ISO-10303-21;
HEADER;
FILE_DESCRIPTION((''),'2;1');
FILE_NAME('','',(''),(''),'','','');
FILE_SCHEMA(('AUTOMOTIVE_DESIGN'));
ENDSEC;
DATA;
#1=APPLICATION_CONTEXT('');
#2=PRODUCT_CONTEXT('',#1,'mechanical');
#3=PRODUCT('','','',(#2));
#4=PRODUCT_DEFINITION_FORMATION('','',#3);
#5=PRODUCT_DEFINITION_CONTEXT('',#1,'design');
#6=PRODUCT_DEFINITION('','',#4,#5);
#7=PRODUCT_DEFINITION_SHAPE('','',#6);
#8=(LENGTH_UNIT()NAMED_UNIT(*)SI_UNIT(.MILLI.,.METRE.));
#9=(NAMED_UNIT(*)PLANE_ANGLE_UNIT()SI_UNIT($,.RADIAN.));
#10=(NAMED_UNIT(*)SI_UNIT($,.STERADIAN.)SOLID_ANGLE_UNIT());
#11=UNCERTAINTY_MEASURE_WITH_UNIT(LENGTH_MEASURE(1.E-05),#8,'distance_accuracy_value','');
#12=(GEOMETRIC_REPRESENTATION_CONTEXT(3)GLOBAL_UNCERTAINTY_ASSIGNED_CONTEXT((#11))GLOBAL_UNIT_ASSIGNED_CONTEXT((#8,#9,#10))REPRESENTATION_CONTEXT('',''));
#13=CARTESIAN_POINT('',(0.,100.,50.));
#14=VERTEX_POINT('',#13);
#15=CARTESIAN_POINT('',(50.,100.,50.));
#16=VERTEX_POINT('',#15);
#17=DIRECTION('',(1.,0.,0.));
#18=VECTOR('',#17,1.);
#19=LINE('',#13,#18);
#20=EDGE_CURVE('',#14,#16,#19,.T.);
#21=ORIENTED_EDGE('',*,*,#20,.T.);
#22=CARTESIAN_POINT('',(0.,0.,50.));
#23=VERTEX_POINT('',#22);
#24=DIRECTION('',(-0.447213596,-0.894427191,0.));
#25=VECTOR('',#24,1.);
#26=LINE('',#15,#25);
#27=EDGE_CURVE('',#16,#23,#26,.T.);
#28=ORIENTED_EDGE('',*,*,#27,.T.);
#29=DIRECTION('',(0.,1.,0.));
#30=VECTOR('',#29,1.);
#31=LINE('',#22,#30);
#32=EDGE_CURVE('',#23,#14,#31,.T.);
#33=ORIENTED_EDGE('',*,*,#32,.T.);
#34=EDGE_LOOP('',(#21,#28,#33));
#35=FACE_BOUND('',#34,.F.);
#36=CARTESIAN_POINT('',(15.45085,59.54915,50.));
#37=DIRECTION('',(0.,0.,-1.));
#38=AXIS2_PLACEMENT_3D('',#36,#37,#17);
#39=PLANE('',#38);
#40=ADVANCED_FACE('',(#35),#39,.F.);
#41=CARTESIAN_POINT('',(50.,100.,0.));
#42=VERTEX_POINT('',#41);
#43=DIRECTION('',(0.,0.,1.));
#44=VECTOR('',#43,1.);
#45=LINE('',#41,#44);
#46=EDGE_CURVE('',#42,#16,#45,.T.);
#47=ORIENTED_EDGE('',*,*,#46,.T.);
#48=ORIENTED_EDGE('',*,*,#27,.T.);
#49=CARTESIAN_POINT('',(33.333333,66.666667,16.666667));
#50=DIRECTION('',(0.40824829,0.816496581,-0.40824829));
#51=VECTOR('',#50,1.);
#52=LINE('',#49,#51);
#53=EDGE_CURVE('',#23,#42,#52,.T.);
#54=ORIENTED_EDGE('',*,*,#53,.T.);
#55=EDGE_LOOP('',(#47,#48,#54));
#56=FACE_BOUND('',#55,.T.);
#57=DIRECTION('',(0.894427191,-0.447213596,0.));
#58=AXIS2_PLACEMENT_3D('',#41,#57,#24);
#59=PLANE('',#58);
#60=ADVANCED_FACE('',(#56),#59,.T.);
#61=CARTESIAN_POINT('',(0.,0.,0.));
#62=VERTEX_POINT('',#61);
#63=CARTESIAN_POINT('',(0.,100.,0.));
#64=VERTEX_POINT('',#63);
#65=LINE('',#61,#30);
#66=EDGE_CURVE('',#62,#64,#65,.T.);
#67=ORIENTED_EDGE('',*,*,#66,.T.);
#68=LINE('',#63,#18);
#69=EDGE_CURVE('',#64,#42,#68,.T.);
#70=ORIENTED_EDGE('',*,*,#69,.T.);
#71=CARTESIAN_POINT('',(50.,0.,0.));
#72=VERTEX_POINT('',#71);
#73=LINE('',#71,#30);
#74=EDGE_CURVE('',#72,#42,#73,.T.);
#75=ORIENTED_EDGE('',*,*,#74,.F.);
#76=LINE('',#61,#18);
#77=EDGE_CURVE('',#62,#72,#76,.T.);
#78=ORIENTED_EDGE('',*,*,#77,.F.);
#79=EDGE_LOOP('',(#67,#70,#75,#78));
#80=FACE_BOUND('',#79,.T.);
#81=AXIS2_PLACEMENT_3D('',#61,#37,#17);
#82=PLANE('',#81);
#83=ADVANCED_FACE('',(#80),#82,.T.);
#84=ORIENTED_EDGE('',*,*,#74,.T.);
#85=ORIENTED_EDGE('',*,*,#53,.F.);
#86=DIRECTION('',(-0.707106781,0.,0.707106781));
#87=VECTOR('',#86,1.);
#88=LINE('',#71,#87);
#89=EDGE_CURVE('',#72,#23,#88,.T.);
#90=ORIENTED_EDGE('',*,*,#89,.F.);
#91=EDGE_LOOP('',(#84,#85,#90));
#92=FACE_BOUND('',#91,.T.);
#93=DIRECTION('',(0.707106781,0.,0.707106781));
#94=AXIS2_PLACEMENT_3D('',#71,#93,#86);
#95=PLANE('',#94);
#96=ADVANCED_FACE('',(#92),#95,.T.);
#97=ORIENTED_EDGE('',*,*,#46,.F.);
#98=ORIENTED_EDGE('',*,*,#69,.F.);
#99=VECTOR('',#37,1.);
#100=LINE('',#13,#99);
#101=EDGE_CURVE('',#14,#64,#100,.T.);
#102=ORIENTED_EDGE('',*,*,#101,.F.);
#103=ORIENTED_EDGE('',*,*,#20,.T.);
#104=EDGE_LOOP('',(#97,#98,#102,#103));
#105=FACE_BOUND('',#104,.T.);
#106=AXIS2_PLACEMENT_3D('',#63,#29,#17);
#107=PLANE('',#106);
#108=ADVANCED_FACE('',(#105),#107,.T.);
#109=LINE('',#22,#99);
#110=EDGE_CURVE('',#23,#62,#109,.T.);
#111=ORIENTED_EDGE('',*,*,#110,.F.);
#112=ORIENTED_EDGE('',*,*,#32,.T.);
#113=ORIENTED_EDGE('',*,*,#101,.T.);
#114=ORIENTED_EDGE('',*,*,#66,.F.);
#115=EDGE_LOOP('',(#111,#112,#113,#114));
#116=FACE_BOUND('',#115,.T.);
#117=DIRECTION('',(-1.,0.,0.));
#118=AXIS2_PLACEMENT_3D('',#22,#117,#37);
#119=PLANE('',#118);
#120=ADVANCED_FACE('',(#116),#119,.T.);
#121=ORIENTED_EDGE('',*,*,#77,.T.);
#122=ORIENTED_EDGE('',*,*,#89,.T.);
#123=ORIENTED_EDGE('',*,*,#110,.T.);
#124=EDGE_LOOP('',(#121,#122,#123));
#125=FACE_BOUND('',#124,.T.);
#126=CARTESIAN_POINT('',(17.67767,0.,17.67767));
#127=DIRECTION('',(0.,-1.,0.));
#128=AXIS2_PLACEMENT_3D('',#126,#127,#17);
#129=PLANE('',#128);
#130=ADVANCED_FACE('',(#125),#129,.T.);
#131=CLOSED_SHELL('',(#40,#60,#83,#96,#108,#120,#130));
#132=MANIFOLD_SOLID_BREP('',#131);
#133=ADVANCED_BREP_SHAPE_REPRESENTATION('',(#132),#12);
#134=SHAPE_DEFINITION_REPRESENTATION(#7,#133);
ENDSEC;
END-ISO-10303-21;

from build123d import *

# Parameters (mm, degrees)
F1_DEPTH = 100
F3_DEPTH = 50


with BuildPart() as f1:
    # F0 (on Front) → F1 (new body)
    with BuildSketch(Plane.XZ):
        Polygon((0, 50), (0, 0), (50, 0), align=None)
    extrude(amount=-F1_DEPTH)

    # F2 (on face) → F3 (join, through all)
    with BuildSketch(Plane(origin=(0, 0, 0), x_dir=(1, 0, 0), z_dir=(0, 0, -1))):
        Polygon((50, -100), (0, 0), (0, -100), align=None)
    extrude(amount=-F3_DEPTH)


solid = f1.part
